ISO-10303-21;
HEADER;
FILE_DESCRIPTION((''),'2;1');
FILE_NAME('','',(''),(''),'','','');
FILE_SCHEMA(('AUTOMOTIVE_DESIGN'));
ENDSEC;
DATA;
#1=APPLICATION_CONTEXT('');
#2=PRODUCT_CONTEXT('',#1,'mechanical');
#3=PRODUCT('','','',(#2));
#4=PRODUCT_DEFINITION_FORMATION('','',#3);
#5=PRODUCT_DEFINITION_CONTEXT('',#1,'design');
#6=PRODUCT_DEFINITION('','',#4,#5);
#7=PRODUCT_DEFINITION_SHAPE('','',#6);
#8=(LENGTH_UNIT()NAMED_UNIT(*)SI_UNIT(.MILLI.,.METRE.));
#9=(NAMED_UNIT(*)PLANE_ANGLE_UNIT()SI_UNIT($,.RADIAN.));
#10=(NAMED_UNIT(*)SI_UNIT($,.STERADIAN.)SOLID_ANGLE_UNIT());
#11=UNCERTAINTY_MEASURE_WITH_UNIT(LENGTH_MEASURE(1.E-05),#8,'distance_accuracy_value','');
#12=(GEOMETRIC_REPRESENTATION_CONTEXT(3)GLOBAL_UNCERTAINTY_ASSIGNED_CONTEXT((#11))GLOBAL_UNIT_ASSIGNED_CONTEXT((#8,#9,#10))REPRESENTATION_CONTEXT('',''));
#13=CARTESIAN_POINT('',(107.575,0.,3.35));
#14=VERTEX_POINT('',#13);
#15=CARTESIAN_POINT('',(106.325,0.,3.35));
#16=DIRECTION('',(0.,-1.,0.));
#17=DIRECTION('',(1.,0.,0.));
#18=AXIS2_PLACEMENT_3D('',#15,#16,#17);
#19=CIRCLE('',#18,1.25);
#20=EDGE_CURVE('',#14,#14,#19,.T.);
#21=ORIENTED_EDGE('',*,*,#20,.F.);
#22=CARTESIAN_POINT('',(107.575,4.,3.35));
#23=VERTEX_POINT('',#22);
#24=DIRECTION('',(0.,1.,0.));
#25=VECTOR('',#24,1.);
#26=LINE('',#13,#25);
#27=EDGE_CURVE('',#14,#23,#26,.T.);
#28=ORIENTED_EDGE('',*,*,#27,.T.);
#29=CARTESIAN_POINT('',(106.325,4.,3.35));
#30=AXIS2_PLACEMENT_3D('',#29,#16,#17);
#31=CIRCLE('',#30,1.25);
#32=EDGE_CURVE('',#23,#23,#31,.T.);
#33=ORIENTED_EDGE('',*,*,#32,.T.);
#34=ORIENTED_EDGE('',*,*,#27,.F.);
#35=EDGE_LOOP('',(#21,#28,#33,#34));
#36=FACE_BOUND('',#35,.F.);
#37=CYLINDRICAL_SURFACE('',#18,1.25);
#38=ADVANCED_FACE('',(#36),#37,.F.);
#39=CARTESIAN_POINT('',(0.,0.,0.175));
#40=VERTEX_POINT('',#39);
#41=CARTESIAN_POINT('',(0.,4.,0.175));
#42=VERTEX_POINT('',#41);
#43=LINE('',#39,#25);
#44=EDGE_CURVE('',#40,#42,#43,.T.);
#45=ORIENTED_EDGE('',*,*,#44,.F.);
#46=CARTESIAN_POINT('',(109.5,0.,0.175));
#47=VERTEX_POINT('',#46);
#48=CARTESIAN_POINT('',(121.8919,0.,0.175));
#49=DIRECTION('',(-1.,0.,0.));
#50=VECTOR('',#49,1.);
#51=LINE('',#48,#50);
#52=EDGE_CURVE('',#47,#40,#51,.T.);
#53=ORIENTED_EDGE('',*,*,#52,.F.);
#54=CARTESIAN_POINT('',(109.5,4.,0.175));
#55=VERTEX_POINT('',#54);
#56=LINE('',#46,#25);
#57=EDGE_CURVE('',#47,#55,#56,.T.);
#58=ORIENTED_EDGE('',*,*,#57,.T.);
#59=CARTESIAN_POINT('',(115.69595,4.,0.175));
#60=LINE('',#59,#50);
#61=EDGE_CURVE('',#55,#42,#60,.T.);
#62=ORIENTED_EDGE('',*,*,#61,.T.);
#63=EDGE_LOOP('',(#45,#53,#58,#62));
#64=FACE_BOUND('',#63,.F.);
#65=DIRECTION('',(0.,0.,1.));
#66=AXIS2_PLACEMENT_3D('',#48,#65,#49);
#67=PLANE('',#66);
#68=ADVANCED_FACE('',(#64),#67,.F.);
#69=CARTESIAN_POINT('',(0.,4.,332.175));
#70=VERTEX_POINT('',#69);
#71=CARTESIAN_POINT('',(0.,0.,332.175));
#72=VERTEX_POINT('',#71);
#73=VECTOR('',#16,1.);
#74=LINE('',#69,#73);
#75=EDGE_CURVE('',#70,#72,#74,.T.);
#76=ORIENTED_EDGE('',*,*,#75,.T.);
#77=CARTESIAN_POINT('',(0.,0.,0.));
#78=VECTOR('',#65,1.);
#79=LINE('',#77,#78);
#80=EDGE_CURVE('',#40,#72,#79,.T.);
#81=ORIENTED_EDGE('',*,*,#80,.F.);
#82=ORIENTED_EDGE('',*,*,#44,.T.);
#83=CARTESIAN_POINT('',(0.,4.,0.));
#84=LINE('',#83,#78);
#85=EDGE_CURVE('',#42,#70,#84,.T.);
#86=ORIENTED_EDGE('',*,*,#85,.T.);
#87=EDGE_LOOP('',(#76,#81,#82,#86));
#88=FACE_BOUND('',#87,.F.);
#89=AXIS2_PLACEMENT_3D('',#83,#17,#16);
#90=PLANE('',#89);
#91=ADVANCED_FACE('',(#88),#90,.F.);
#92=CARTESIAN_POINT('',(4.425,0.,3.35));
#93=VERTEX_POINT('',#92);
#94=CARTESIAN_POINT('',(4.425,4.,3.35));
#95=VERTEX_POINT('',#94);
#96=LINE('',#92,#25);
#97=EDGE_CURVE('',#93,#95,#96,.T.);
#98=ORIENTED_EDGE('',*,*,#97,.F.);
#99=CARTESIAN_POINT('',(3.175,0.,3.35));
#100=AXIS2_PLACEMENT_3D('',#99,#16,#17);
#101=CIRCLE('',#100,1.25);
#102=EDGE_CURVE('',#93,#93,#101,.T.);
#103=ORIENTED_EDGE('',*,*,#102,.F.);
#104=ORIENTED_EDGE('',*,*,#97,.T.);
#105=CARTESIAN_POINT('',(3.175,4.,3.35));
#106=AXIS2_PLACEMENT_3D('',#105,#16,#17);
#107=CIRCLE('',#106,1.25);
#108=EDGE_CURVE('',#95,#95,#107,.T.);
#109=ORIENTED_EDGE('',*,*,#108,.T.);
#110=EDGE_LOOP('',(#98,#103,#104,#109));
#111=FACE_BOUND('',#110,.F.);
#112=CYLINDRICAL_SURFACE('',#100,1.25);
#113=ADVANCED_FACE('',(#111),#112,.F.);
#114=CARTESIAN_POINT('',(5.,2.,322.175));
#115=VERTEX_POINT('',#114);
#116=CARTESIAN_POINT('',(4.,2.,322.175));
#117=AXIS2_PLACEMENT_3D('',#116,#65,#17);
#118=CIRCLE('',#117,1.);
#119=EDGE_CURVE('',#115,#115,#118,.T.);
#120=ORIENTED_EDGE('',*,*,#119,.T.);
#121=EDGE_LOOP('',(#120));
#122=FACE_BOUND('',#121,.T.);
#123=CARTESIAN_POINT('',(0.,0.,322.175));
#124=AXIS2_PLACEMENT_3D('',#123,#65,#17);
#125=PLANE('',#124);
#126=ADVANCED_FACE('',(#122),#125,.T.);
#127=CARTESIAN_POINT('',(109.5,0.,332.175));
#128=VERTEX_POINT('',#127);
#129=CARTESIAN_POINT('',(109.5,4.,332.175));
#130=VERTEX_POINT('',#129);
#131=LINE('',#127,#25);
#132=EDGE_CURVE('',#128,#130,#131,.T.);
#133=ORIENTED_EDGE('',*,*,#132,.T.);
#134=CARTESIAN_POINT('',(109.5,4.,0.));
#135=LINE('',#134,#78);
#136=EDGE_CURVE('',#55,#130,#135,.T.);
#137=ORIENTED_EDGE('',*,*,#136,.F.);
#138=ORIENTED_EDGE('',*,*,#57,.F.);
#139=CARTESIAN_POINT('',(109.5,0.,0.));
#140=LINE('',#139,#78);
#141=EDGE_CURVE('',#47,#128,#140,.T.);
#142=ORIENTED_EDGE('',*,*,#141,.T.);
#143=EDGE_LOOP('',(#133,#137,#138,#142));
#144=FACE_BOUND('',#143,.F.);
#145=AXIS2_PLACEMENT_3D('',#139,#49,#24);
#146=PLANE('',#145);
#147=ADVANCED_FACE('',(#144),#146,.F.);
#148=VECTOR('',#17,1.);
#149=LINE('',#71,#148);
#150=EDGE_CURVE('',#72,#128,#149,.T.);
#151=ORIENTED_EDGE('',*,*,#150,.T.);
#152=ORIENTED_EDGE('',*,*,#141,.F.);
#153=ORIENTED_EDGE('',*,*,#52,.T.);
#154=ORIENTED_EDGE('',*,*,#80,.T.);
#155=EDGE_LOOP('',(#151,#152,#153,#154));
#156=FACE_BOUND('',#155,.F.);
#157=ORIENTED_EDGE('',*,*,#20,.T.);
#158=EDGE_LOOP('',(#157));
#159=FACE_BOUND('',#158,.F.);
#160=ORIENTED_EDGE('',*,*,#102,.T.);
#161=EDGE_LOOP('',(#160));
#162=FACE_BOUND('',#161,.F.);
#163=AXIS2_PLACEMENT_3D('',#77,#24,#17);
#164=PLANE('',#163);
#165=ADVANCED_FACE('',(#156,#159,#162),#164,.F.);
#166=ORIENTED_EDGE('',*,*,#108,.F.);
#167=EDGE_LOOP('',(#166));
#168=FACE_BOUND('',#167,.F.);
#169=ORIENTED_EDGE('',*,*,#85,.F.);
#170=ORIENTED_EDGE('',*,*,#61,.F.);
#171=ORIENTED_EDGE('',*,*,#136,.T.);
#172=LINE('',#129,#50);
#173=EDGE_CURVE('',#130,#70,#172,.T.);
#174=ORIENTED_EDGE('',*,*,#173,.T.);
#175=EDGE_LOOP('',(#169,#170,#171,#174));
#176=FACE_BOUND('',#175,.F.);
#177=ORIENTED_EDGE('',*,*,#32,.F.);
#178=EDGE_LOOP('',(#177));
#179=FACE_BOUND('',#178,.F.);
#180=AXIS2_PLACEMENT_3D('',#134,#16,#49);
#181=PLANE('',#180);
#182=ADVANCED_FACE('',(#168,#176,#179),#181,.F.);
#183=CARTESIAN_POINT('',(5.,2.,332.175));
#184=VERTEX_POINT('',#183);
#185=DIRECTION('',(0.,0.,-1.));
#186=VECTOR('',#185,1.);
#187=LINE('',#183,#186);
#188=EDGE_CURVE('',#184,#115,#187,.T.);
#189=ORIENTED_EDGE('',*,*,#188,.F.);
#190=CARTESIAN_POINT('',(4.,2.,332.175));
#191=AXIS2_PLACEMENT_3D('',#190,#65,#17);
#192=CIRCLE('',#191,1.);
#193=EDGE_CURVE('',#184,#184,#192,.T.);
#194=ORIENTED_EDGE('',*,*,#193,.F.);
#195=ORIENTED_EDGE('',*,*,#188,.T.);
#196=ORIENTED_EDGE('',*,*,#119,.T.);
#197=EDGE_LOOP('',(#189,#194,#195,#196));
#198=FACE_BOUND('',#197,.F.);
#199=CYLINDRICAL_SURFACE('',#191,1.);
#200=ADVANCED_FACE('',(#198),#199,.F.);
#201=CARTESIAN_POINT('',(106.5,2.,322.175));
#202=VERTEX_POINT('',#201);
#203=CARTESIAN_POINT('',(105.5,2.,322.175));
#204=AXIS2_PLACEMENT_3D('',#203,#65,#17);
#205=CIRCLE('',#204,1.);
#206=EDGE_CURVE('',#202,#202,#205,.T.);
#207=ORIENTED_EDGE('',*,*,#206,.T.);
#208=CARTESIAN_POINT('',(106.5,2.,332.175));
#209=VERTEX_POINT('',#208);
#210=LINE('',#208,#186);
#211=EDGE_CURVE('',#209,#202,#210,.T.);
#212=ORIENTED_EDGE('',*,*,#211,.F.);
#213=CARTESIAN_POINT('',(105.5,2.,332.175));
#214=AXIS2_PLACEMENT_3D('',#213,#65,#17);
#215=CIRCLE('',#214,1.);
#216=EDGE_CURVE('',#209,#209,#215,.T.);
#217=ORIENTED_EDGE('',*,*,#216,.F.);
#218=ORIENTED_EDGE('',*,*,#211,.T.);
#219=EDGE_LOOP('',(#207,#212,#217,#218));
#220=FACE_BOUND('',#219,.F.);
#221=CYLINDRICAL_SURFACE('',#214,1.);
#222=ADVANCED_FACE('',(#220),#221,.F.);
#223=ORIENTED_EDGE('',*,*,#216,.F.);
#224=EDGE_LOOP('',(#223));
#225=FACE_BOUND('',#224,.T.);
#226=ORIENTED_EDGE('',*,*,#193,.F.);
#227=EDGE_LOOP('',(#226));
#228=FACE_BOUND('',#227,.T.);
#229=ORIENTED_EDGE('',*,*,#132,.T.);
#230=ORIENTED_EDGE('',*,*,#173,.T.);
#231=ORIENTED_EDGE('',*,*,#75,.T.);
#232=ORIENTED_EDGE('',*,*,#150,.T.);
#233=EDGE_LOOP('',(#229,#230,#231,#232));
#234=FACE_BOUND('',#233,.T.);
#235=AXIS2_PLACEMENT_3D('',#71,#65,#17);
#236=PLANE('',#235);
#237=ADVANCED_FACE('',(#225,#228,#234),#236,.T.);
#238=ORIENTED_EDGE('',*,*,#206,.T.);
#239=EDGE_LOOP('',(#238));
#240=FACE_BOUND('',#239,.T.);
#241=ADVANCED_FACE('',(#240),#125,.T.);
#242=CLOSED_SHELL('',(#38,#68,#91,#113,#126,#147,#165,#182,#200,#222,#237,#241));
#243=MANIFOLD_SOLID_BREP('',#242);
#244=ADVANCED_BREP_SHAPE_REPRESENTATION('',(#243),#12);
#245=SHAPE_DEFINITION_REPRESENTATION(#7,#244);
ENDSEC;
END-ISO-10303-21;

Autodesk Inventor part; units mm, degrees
ref_plane "YZ Plane" through (0, 0, 0) normal (1, 0, 0) x (0, 1, 0)
ref_plane "XZ Plane" through (0, 0, 0) normal (0, 1, 0) x (-1, 0, 0)
ref_plane "XY Plane" through (0, 0, 0) normal (0, 0, 1) x (1, 0, 0)
sketch "Sketch1" plane through (0, 0, 0) normal (0, 0, 1) x (1, 0, 0)
  line L0 (0, 0) -> (109.5, 0)
  line L1 (109.5, 0) -> (109.5, 4)
  line L2 (109.5, 4) -> (0, 4)
  line L3 (0, 4) -> (0, 0)
  dimension "d0" = 109.5
  dimension "d1" = 4
extrude "Extrusion1" add sketch "Sketch1" along normal blind 332.175
sketch "Sketch2" plane through (0, 0, 0) normal (0, -1, 0) x (1, 0, 0)
  line L0 (0, 0) -> (109.5, 0) projected
  line L1 (0, 0) -> (3.175, 0) construction
  line L2 (3.175, 0) -> (3.175, 3.175) construction
  line L3 (109.5, 0) -> (106.325, 0) construction
  line L4 (106.325, 0) -> (106.325, 3.175) construction
  line L5 (106.325, 3.175) -> (106.325, 3.35) construction
  circle A0 centre (106.325, 3.35) radius 1.25
  line L6 (3.175, 3.175) -> (3.175, 3.35) construction
  circle A1 centre (3.175, 3.35) radius 1.25
  dimension "d4" = 3.175
  dimension "d5" = 3.175
  dimension "d7" = 3.175
  dimension "d8" = 3.175
  dimension "d22" = 0.175
  dimension "d23" = 2.5
  dimension "d24" = 0.175
  dimension "d25" = 2.5
extrude "Extrusion2" cut sketch "Sketch2" against normal blind 10
sketch "Sketch3" plane through (0, 0, 332.175) normal (0, 0, 1) x (1, 0, 0)
  line L0 (0, 0) -> (109.5, 0) projected
  line L1 (109.5, 0) -> (109.5, 4) projected
  line L2 (0, 0) -> (4, 0) construction
  line L3 (4, 0) -> (4, 2) construction
  circle A0 centre (4, 2) radius 1
  line L4 (109.5, 2) -> (105.5, 2) construction
  circle A1 centre (105.5, 2) radius 1
  dimension "d12" = 4
  dimension "d13" = 2
  dimension "d14" = 2
  dimension "d15" = 4
  dimension "d16" = 2
extrude "Extrusion3" cut sketch "Sketch3" against normal blind 10
sketch "Sketch4" plane through (0, 0, 0) normal (0, -1, 0) x (1, 0, 0)
  line L0 (109.5, 0) -> (0, 0) projected
  line L1 (0, 0) -> (121.8919, 0)
  line L2 (121.8919, 0) -> (121.8919, 0.175)
  line L3 (121.8919, 0.175) -> (0, 0.175)
  line L4 (0, 0.175) -> (0, 0)
  dimension "d19" = 0.175
extrude "Extrusion4" cut sketch "Sketch4" against normal blind 10
properties part number "sideplate part 1"
